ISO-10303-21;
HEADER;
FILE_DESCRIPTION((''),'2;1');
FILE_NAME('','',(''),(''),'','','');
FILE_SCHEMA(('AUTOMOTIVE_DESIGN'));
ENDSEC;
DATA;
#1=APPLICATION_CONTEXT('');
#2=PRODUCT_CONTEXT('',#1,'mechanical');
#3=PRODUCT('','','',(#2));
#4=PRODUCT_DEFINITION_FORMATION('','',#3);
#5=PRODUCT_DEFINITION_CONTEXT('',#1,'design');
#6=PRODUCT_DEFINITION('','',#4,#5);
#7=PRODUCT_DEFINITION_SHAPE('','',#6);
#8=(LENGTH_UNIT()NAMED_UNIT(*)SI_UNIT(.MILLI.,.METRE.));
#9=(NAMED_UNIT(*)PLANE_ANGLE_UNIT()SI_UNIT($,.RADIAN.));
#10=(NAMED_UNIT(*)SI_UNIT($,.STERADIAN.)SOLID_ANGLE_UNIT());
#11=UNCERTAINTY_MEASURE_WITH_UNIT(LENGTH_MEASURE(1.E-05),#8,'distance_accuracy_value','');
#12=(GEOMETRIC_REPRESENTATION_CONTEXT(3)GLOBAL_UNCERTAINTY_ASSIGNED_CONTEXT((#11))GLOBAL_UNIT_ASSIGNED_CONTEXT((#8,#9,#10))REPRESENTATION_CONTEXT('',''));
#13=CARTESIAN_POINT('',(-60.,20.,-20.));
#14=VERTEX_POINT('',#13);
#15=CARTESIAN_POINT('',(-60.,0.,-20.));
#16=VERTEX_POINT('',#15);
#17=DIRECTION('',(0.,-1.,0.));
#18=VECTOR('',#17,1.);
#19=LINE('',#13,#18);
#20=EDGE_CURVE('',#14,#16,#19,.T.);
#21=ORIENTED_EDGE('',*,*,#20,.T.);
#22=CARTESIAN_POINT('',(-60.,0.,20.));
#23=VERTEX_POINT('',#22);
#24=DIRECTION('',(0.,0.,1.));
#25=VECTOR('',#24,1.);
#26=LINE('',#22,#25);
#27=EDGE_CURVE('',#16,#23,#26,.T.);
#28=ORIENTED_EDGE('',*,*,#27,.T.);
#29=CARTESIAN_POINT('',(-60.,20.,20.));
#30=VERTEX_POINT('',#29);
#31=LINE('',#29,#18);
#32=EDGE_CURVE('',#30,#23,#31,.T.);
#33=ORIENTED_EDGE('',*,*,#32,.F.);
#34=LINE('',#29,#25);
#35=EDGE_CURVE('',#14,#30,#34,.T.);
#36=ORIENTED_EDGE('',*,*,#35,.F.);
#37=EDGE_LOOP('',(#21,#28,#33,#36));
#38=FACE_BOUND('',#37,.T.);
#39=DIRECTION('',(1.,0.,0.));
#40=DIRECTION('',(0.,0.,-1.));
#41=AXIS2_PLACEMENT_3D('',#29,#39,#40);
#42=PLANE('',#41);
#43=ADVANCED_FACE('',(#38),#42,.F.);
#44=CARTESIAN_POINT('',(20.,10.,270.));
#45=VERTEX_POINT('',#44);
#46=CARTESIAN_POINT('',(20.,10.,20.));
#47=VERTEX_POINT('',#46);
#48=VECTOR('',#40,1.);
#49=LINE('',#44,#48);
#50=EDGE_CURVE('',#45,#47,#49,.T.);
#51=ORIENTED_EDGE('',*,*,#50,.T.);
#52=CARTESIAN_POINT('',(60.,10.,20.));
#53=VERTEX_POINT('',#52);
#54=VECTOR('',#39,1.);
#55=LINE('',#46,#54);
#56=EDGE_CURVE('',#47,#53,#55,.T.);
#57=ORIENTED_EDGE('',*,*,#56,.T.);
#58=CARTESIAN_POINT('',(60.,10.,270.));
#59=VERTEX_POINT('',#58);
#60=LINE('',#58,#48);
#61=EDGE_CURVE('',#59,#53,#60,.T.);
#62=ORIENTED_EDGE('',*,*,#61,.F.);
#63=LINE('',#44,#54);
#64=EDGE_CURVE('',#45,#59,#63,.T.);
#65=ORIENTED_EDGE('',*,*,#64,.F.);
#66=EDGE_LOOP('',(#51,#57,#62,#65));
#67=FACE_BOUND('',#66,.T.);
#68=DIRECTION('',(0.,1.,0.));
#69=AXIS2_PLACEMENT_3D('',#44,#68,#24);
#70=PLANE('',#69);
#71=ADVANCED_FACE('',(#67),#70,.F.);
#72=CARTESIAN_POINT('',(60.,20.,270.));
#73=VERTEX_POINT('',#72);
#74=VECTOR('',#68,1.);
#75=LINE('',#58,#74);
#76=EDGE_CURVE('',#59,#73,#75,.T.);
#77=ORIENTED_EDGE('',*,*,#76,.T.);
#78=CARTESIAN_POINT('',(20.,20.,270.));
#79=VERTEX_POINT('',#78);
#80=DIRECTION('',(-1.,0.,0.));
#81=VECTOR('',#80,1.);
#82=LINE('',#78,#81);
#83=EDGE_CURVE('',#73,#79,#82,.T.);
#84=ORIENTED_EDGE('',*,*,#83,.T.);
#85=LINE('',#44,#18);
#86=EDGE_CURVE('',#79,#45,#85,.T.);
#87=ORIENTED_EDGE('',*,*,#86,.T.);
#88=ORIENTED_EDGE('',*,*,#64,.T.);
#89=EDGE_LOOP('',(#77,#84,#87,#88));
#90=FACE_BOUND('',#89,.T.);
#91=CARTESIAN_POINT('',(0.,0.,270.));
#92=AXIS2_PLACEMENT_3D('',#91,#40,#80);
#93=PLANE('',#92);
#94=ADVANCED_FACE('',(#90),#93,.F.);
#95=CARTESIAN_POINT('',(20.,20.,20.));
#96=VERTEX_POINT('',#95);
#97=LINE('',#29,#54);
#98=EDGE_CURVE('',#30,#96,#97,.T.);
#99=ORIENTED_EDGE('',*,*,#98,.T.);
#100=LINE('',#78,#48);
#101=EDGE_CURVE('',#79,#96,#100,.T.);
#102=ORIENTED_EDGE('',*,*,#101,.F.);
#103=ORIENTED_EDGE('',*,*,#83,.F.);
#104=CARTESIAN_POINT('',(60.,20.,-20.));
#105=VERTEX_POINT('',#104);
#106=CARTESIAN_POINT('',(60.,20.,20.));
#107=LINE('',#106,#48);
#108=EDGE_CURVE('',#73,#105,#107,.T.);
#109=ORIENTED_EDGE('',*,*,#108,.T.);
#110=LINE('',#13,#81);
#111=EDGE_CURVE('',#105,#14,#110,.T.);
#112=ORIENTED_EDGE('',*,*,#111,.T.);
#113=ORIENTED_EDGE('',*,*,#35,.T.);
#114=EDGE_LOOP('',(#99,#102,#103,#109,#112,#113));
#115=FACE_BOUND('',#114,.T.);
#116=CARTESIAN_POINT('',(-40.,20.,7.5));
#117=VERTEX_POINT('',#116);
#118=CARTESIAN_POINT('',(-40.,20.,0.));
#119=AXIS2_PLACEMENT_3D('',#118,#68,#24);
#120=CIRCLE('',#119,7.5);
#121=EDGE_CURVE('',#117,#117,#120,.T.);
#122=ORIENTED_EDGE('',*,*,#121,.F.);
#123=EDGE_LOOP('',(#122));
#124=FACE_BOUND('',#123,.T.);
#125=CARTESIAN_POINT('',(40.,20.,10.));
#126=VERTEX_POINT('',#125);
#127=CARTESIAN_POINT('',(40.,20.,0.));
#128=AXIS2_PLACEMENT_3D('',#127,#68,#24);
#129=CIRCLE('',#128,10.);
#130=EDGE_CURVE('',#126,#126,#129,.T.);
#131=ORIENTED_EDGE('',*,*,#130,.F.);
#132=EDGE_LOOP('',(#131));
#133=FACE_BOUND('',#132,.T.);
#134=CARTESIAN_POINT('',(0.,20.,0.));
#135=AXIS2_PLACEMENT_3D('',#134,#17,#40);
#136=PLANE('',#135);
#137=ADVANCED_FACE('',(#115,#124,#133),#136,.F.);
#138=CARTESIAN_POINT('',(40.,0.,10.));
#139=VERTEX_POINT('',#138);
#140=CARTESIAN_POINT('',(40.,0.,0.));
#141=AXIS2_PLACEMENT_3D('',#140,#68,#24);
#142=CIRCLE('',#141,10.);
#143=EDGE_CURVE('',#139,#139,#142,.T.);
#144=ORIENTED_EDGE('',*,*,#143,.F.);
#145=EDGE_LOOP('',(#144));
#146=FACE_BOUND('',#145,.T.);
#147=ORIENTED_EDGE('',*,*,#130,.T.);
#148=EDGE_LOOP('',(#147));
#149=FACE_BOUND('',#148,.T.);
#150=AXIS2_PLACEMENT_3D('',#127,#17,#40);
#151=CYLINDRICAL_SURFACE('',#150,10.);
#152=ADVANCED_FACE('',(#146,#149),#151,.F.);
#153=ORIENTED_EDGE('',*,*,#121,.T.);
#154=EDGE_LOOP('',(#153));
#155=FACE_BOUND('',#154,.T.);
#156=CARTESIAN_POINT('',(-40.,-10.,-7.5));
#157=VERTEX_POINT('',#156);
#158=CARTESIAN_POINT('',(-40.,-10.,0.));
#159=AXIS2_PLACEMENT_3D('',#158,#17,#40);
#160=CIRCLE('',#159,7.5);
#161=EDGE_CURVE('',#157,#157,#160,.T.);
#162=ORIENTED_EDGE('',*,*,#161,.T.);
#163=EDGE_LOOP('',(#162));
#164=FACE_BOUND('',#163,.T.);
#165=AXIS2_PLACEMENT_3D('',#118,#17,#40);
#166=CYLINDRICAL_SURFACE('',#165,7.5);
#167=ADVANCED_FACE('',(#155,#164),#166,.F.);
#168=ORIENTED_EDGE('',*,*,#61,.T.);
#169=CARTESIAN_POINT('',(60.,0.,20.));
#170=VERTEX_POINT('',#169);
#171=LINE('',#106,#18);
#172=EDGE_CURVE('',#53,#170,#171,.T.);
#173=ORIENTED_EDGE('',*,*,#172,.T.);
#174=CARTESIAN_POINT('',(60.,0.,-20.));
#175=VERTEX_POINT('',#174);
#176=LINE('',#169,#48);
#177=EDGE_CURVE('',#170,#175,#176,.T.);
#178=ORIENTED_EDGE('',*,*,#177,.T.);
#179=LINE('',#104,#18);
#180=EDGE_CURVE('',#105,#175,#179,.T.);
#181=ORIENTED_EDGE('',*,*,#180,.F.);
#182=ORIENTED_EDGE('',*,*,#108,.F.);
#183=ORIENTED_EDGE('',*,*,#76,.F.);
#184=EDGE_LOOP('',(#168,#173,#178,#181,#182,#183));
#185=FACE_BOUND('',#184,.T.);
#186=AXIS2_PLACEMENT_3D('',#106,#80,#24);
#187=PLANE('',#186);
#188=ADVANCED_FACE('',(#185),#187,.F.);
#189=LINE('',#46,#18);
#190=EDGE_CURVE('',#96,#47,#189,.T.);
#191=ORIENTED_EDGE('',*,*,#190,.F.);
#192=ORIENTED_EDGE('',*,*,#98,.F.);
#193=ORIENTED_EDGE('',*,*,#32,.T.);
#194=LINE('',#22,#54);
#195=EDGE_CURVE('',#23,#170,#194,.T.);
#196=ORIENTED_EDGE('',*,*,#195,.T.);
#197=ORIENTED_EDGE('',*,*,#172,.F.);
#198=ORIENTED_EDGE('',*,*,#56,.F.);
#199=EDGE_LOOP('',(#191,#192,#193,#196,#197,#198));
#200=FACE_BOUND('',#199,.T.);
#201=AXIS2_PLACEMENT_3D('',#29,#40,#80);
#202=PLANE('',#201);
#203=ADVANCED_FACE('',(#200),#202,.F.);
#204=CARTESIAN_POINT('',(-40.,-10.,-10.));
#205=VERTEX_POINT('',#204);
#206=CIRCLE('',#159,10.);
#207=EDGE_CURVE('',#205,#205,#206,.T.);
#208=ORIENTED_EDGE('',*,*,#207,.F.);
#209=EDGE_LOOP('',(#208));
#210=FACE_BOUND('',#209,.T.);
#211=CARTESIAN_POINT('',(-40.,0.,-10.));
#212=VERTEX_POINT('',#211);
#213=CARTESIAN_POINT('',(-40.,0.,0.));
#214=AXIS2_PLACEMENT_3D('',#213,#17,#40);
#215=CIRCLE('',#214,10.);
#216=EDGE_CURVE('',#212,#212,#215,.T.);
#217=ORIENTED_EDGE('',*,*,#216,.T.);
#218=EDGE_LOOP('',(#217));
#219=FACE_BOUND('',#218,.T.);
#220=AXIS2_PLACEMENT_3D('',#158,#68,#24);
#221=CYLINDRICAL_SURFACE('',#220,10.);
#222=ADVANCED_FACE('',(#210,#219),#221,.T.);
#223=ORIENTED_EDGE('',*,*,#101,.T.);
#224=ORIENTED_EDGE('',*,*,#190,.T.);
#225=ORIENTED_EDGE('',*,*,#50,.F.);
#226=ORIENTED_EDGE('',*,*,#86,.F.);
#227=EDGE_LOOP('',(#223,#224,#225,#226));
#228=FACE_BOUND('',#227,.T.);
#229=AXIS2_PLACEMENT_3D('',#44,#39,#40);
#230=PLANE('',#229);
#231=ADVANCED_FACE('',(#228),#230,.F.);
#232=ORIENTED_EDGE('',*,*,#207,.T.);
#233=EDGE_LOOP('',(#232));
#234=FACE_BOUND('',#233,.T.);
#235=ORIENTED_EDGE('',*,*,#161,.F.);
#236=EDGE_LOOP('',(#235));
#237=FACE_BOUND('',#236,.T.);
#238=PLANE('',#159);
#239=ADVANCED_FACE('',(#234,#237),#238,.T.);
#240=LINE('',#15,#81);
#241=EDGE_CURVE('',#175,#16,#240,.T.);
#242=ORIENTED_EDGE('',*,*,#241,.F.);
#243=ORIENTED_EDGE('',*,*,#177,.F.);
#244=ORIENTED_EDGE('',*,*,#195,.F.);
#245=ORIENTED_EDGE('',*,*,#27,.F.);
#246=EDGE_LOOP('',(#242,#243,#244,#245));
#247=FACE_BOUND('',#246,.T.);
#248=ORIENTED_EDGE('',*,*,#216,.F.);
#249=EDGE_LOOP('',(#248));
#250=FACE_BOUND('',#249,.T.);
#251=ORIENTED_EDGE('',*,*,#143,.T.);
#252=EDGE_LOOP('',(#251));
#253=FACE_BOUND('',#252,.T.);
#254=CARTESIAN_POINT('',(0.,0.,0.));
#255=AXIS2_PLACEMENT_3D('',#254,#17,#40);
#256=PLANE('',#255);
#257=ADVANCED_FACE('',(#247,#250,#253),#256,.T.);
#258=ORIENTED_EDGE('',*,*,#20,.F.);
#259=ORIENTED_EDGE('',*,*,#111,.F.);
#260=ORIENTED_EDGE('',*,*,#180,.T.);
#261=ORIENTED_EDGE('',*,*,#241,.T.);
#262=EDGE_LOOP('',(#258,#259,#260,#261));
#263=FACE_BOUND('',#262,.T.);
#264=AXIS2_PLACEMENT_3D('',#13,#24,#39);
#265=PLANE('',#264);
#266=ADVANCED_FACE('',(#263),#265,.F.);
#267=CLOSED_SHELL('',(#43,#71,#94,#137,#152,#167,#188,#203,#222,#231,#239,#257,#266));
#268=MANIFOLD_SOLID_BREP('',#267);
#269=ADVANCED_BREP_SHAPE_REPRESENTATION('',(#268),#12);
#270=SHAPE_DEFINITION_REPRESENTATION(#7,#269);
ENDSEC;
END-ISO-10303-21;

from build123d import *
from build123d.topology import SkipClean

# Parameters (mm, degrees)
SKETCH1_W           = 120
SKETCH1_H           = 40
SKETCH1_R           = 7.5
SKETCH1_R_2         = 10
BOSS_EXTRUDE1_DEPTH = 20
BOSS_EXTRUDE2_START = 10
SKETCH2_R           = 10
SKETCH2_R_2         = 7.5
BOSS_EXTRUDE2_DEPTH = 10
SKETCH3_W           = 40
SKETCH3_H           = 10
BOSS_EXTRUDE3_DEPTH = 250


with BuildPart() as part:
    # Sketch1 → Boss-Extrude1 (new body)
    with BuildSketch(Plane(origin=(0, 0, 0), x_dir=(1, 0, 0), z_dir=(0, 1, 0))):
        Rectangle(SKETCH1_W, SKETCH1_H)
        with Locations(Location((-40, 0, 0), (0, 0, 270))):
            Circle(SKETCH1_R, mode=Mode.SUBTRACT)
        with Locations(Location((40, 0, 0), (0, 0, 270))):
            Circle(SKETCH1_R_2, mode=Mode.SUBTRACT)
    extrude(amount=BOSS_EXTRUDE1_DEPTH)

    # Sketch2 → Boss-Extrude2 (add)
    with SkipClean():  # the faces are left unmerged after this step: merging them gives an invalid solid
        with BuildSketch(Plane.XZ.offset(BOSS_EXTRUDE2_START)):
            with Locations(Location((-40, 0, 0), (0, 0, 270))):
                Circle(SKETCH2_R)
            with Locations(Location((-40, 0, 0), (0, 0, 270))):
                Circle(SKETCH2_R_2, mode=Mode.SUBTRACT)
        extrude(amount=-BOSS_EXTRUDE2_DEPTH)

    # Sketch3 → Boss-Extrude3 (add)
    with SkipClean():  # the faces are left unmerged after this step: merging them gives an invalid solid
        with BuildSketch(Plane.XY.offset(20)):
            with Locations((40, 15)):
                Rectangle(SKETCH3_W, SKETCH3_H)
        extrude(amount=BOSS_EXTRUDE3_DEPTH)


solid = part.part
